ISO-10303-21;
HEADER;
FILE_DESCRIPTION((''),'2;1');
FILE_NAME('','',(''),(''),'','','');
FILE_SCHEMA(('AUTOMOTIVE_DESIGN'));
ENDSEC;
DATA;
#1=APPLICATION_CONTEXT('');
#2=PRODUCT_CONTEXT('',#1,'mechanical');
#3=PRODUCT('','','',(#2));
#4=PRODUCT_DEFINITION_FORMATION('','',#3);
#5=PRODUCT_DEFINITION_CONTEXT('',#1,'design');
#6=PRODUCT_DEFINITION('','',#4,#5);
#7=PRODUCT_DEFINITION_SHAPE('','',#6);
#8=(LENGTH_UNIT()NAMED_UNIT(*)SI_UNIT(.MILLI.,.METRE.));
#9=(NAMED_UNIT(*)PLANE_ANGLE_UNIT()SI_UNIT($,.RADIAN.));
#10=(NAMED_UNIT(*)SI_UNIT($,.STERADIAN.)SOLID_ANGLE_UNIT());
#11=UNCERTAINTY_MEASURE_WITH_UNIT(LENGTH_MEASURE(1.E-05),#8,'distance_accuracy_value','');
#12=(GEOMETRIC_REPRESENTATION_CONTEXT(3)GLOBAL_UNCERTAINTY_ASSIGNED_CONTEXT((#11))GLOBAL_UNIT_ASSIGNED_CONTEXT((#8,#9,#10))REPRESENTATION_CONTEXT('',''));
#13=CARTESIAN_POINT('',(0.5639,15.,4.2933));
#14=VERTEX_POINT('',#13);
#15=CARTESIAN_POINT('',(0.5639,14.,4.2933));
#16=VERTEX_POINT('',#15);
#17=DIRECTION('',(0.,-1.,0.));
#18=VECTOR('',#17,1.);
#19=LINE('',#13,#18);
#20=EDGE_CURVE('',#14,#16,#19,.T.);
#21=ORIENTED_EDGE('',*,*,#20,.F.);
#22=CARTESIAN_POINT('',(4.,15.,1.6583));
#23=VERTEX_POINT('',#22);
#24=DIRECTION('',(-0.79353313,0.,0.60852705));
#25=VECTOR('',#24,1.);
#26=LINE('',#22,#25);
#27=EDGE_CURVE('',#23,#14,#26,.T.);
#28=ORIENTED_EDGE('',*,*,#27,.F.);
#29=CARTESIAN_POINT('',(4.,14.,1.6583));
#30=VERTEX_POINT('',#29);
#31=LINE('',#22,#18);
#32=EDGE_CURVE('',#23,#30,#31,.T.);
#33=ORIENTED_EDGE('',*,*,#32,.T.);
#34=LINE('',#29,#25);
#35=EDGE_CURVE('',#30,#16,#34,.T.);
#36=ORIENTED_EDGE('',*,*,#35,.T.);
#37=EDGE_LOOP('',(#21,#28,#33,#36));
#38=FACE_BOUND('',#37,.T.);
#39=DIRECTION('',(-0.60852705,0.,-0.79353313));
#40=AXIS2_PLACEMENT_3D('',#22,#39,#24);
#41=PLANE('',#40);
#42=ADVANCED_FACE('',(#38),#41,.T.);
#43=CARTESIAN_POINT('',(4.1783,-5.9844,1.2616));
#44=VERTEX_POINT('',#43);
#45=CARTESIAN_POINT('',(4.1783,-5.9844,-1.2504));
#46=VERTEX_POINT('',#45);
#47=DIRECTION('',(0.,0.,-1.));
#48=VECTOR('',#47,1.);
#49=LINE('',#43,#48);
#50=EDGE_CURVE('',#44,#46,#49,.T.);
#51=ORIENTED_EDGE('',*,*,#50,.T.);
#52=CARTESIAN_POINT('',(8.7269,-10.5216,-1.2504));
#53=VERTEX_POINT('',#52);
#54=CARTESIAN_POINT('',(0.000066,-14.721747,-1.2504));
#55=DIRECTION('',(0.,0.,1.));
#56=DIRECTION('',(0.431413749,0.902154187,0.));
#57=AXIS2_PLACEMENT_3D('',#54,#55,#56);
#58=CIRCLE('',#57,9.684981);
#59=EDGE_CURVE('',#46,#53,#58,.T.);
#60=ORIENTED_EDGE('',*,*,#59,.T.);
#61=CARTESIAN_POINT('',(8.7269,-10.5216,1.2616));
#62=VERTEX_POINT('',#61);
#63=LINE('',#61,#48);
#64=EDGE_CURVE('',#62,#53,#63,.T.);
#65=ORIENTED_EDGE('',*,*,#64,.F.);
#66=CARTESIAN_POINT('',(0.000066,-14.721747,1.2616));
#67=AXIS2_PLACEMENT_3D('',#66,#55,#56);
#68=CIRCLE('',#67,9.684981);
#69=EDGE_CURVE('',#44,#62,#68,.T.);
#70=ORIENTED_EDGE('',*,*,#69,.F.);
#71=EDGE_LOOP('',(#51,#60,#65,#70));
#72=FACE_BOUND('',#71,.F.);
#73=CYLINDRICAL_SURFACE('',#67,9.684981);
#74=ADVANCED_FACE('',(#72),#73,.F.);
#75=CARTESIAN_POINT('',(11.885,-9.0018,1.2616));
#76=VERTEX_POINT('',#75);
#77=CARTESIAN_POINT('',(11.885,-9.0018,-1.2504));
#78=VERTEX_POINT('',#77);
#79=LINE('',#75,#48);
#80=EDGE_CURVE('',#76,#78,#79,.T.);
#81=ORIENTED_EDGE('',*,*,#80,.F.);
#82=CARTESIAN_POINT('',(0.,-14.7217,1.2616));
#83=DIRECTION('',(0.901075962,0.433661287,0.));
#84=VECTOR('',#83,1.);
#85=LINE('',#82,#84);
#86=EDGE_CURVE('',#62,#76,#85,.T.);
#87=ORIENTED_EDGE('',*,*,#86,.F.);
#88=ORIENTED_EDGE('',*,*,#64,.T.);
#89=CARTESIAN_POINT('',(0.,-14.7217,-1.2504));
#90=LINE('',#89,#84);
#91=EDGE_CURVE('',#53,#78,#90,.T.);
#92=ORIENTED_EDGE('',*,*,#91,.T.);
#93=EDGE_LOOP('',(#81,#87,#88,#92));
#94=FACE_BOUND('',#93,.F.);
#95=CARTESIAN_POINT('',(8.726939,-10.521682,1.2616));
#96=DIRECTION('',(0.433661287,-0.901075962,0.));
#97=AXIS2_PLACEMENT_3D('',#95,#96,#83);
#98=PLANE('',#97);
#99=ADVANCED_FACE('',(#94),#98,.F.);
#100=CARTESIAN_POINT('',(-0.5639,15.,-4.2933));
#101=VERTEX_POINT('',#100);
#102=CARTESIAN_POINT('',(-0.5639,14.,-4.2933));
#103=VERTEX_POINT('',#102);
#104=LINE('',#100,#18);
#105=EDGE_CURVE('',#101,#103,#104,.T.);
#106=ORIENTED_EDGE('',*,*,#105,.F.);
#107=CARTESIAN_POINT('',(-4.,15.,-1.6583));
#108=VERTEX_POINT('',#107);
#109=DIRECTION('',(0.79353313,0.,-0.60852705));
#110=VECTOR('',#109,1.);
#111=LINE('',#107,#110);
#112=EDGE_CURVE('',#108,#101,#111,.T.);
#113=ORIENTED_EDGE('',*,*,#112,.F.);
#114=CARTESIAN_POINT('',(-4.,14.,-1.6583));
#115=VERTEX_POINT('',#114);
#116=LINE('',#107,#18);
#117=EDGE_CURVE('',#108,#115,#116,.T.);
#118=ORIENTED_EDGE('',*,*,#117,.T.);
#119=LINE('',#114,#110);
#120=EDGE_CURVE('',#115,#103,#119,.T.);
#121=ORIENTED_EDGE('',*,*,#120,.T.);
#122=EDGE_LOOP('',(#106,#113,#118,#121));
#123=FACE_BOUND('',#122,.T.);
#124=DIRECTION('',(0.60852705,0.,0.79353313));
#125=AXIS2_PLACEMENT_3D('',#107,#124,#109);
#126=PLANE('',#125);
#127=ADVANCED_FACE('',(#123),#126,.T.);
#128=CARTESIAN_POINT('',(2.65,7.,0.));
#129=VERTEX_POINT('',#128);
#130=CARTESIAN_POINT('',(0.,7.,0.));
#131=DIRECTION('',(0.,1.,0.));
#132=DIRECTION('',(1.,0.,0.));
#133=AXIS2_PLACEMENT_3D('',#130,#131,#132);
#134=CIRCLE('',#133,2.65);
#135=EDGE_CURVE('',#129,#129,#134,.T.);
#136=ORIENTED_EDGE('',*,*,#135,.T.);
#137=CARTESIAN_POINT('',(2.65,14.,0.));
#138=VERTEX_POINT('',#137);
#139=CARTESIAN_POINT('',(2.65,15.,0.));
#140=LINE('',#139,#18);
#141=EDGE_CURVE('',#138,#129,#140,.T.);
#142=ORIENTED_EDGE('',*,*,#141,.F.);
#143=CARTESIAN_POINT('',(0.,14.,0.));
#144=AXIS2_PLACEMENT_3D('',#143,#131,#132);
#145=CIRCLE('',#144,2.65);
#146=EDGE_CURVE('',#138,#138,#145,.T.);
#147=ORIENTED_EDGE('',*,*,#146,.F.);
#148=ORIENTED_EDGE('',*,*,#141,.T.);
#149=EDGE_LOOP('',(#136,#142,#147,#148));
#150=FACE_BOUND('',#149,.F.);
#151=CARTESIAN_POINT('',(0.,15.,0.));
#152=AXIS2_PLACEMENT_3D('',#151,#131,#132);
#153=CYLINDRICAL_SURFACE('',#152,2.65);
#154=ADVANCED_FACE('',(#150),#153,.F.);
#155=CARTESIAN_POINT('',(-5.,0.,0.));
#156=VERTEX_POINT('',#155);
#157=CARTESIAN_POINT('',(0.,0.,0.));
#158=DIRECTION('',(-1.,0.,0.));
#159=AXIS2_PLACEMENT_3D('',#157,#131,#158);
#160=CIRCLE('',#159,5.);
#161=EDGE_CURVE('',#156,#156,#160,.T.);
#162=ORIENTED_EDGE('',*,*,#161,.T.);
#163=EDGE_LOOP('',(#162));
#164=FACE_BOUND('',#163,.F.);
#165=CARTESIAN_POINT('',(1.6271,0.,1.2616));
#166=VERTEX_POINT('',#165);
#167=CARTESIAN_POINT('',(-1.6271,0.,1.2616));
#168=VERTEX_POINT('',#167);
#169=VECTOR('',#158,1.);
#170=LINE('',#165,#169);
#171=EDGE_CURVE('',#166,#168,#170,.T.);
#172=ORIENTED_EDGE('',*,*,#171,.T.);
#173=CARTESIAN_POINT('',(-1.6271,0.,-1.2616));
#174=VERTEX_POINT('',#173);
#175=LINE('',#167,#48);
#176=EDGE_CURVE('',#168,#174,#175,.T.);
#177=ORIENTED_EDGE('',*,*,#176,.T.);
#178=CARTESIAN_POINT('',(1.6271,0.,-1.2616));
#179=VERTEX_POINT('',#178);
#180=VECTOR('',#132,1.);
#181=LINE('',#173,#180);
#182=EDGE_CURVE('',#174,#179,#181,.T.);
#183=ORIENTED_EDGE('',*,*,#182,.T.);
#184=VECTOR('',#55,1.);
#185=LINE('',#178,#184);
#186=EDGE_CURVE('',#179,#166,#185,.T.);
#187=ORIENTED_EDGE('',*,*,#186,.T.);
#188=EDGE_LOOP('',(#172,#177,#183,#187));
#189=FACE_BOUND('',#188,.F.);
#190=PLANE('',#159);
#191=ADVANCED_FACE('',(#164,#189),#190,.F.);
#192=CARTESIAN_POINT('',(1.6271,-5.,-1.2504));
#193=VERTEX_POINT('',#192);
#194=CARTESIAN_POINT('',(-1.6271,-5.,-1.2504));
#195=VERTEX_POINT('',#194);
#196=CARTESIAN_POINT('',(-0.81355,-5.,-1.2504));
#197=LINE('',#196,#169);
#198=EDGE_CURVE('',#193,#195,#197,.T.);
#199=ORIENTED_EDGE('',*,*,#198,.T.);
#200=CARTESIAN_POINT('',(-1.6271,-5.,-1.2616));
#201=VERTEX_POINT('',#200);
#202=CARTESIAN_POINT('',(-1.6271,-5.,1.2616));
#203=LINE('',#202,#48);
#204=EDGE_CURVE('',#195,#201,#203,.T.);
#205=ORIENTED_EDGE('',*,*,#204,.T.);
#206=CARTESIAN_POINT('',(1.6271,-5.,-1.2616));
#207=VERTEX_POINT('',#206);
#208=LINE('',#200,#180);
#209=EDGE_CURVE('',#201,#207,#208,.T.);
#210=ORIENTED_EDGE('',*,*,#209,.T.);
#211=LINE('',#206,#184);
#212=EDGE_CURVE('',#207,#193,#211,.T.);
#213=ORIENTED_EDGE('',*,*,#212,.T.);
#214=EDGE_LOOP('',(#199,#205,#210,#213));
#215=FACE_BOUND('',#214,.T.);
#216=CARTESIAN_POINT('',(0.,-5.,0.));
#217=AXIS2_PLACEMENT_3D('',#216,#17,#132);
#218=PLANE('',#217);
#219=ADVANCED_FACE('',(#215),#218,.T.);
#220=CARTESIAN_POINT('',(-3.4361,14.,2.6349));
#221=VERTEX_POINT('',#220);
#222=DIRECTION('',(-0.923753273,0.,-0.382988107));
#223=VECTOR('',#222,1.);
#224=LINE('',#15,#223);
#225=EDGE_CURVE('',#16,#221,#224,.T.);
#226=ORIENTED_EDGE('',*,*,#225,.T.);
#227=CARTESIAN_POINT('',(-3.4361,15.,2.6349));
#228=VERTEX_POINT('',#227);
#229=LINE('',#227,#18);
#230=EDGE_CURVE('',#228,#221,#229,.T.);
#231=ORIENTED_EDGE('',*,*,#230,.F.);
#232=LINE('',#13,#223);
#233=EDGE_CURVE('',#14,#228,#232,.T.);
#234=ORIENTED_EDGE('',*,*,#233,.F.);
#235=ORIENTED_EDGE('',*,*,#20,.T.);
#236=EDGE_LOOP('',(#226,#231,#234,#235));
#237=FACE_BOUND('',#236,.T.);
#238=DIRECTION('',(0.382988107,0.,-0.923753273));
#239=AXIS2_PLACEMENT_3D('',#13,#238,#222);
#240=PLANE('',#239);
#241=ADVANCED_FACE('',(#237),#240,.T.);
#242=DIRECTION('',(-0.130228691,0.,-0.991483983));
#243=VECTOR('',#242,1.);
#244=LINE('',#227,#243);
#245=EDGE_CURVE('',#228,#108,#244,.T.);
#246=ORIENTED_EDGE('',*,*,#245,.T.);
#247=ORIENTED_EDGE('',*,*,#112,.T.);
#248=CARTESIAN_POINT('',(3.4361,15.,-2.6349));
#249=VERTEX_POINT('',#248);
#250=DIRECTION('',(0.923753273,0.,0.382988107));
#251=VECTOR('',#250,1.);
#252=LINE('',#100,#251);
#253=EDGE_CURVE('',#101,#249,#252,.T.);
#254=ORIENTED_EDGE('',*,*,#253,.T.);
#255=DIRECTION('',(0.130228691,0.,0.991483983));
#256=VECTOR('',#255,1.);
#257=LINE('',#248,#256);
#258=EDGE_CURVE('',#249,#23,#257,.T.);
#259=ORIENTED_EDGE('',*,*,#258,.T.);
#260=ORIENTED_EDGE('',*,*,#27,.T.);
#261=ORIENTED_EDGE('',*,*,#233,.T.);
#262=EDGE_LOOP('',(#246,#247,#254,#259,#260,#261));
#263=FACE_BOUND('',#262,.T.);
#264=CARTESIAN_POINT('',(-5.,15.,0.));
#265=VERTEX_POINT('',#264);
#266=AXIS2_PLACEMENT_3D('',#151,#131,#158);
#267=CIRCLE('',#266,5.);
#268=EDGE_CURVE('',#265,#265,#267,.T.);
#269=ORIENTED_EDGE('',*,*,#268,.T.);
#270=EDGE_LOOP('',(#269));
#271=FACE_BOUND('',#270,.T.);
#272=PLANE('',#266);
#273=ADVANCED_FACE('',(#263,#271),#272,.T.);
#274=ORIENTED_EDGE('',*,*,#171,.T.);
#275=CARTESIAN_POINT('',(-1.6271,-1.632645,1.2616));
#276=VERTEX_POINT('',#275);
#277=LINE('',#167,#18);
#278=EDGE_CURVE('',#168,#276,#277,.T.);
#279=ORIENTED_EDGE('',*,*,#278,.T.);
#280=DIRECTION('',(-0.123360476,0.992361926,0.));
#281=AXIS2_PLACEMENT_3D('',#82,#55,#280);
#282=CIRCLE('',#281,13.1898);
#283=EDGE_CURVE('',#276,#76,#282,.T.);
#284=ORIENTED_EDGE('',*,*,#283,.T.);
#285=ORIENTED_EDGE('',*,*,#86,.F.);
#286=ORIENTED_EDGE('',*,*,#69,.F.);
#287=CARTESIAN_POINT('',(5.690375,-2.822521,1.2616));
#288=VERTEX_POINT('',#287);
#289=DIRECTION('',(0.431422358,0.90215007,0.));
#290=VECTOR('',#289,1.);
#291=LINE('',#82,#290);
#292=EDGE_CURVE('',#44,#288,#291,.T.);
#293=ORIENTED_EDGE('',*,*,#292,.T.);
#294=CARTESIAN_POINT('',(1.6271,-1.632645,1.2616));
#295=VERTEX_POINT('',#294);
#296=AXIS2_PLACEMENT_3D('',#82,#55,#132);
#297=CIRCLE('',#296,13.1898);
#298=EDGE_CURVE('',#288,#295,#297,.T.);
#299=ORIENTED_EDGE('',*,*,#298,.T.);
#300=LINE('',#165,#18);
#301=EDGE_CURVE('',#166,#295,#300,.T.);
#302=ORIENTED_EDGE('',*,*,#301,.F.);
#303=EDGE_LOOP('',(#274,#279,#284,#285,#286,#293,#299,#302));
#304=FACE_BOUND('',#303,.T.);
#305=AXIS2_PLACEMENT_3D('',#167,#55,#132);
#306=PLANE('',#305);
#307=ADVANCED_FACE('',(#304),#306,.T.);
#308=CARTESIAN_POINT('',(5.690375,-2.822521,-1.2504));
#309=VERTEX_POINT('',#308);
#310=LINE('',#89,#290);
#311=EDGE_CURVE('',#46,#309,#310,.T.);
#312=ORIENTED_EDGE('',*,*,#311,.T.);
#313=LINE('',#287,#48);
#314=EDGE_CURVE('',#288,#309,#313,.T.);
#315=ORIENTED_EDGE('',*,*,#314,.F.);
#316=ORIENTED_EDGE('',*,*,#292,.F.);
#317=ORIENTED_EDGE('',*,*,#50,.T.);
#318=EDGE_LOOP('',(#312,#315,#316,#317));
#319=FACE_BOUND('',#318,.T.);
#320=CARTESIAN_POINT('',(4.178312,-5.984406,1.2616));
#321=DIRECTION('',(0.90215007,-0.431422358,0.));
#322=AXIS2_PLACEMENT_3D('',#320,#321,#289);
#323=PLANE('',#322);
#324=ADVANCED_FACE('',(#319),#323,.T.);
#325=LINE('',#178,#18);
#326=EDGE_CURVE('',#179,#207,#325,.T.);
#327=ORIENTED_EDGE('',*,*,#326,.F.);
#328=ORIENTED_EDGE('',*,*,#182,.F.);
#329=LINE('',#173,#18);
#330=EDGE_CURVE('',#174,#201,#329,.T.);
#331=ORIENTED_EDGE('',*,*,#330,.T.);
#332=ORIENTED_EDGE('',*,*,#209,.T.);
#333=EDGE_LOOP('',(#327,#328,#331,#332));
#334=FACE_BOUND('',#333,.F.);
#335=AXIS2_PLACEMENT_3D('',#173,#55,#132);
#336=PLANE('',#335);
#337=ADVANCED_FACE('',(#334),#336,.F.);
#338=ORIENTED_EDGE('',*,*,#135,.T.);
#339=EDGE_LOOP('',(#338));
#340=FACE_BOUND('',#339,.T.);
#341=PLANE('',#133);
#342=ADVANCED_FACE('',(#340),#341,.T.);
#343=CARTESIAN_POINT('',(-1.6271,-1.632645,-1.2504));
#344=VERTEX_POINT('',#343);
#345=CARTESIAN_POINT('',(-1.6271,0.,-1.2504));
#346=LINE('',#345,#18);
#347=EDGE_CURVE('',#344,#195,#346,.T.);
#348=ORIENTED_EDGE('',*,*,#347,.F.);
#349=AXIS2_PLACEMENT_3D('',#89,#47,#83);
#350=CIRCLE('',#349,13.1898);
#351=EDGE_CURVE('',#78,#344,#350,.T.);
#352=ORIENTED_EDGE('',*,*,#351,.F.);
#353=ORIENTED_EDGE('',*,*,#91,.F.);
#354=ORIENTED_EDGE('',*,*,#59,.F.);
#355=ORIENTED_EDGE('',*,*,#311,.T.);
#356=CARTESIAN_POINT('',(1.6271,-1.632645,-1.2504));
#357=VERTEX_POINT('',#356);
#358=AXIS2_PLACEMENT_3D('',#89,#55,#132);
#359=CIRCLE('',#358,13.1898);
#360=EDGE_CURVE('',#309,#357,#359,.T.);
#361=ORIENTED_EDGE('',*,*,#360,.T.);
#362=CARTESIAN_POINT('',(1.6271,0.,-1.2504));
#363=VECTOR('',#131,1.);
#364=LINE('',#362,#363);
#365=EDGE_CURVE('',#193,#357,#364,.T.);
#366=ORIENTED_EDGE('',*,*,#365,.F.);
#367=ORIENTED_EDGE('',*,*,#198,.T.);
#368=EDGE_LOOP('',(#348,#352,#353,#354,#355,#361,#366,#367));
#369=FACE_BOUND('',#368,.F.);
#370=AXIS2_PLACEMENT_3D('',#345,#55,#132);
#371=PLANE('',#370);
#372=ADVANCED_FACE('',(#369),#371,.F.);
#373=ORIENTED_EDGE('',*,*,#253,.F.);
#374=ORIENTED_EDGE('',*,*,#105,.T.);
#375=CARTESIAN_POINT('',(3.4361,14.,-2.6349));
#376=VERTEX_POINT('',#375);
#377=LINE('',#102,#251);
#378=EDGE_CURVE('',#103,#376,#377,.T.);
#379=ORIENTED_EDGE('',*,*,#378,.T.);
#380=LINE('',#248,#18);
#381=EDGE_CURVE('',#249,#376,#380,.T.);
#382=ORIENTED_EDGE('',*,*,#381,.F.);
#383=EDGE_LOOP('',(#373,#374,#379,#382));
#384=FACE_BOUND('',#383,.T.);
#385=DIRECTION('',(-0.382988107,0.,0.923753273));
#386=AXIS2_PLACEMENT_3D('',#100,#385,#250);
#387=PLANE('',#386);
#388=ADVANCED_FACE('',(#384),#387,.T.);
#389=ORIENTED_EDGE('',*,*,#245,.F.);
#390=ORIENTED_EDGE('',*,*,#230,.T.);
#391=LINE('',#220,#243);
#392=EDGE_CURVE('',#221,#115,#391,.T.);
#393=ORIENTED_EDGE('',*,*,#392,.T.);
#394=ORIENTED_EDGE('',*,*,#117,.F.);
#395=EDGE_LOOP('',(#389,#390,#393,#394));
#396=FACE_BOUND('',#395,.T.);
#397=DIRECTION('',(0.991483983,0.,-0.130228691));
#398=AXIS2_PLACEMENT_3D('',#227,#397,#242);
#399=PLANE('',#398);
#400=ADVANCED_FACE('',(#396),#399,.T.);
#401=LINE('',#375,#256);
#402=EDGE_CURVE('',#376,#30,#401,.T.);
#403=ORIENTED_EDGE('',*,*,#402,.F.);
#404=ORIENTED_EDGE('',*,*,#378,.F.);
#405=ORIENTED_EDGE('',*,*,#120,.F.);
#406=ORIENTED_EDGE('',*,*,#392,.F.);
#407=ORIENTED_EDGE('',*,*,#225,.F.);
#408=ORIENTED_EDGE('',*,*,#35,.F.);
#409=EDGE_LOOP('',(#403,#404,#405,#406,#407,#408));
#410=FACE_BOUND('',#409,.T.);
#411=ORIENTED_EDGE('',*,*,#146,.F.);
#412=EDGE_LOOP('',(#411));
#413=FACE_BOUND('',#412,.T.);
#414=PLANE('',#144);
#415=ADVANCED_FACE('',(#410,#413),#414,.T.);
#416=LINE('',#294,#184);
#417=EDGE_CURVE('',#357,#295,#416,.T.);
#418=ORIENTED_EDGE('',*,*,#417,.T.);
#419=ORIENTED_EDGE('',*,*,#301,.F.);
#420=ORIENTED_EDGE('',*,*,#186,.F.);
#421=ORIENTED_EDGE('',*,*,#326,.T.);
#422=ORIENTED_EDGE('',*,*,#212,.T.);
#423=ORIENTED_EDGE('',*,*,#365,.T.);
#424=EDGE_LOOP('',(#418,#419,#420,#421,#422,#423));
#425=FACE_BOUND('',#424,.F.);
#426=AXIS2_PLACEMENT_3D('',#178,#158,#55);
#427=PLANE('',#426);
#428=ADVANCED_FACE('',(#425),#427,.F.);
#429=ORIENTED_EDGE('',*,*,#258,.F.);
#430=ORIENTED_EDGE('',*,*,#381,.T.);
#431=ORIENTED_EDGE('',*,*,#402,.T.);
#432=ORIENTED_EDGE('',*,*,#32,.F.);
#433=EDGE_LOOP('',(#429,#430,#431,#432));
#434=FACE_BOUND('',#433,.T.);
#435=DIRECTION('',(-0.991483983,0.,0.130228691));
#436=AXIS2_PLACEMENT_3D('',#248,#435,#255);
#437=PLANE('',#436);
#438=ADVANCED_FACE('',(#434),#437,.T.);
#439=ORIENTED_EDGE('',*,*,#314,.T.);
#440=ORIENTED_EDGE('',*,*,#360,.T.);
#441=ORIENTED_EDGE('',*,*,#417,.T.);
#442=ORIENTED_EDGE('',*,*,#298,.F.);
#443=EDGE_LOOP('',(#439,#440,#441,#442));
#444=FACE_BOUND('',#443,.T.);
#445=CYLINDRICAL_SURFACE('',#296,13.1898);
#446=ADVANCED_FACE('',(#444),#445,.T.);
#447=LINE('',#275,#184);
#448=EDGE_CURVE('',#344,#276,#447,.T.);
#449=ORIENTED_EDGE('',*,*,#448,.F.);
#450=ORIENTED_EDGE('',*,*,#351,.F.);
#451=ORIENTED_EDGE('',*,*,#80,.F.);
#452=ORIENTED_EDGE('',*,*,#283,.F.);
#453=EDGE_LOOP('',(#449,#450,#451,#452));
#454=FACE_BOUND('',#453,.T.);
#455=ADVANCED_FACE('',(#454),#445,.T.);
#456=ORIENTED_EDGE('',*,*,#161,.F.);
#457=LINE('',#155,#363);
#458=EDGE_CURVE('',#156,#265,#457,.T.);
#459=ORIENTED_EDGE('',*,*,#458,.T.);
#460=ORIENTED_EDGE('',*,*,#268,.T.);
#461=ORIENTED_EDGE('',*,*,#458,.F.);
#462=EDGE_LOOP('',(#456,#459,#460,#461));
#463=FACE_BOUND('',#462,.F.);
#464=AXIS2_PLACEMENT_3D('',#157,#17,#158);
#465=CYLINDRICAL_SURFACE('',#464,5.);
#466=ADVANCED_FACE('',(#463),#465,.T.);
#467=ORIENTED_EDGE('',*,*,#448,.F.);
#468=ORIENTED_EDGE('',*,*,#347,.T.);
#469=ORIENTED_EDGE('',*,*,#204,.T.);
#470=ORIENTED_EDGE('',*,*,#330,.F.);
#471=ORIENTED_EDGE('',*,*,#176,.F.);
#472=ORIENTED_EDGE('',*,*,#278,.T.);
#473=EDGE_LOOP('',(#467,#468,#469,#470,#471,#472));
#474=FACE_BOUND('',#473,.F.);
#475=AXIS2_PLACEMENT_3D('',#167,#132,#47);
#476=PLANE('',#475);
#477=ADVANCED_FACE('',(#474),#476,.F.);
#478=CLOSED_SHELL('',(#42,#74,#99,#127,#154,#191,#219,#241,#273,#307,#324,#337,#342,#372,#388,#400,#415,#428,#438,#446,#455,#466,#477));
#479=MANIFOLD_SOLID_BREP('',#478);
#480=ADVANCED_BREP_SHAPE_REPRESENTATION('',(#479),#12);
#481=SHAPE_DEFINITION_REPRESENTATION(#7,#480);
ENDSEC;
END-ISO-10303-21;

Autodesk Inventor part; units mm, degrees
ref_plane "YZ Plane" through (0, 0, 0) normal (1, 0, 0) x (0, 1, 0)
ref_plane "XZ Plane" through (0, 0, 0) normal (0, 1, 0) x (-1, 0, 0)
ref_plane "XY Plane" through (0, 0, 0) normal (0, 0, 1) x (1, 0, 0)
sketch "Sketch1" plane through (0, 0, 0) normal (0, 1, 0) x (-1, 0, 0)
  circle A0 centre (0, 0) radius 5
  dimension "d0" = 10
extrude "Extrusion1" add sketch "Sketch1" along normal blind 15
sketch "Sketch2" plane through (0, 15, 0) normal (0, 1, 0) x (1, 0, 0)
  circle A0 centre (0, 0) radius 2.65
  dimension "d3" = 5.3
extrude "Extrusion2" cut sketch "Sketch2" against normal blind 8
sketch "Sketch3" plane through (0, 0, 0) normal (0, -1, 0) x (1, 0, 0)
  line L0 (-1.6271, -1.2616) -> (1.6271, -1.2616)
  line L1 (1.6271, -1.2616) -> (1.6271, 1.2616)
  line L2 (1.6271, 1.2616) -> (-1.6271, 1.2616)
  line L3 (-1.6271, 1.2616) -> (-1.6271, -1.2616)
  circle A0 centre (0, 0) radius 5 projected
  line L4 (-1.6271, -1.2616) -> (1.6271, 1.2616) construction
  line L5 (1.6271, -1.2616) -> (-1.6271, 1.2616) construction
extrude "Extrusion3" add sketch "Sketch3" along normal blind 5 contours L3 L2 L1 L0
sketch "Sketch4" plane through (-1.6271, 0, 1.2616) normal (0, 0, 1) x (1, 0, 0)
  circle A0 centre (1.6271, -14.7217) radius 13.1898
  arc A1 (5.8054, -5.9844) -> (10.354, -10.5216) centre (1.6271, -14.7217) ccw
  line L0 (1.6271, -14.7217) -> (13.5121, -9.0018)
  line L1 (1.6271, -14.7217) -> (7.5696, -2.2953)
  point P0 (1.6271, 0)
  point P1 (13.8416, -19.6992)
  point P2 (11.3121, -5.7679)
  point P3 (10.354, -10.5216)
  point P4 (7.3175, -2.8225)
extrude "Extrusion4" add sketch "Sketch4" against normal blind 2.512 contours A0 L1 A1 L0
sketch "Sketch5" plane through (0, 15, 0) normal (0, 1, 0) x (1, 0, 0)
  line L0 (-4, 1.6583) -> (-0.5639, 4.2933)
  line L1 (-0.5639, 4.2933) -> (3.4361, 2.6349)
  line L2 (3.4361, 2.6349) -> (4, -1.6583)
  line L3 (4, -1.6583) -> (0.5639, -4.2933)
  line L4 (0.5639, -4.2933) -> (-3.4361, -2.6349)
  line L5 (-3.4361, -2.6349) -> (-4, 1.6583)
  point P0 (0, 0)
  point P1 (0, 0)
  point P2 (-1.4361, -3.4641)
  dimension "d10" = 8
  dimension "d11" = 7.5
extrude "Extrusion5" cut sketch "Sketch5" against normal blind 1
properties part number "OriginNutipt" material "Thermoplastic Resin"
